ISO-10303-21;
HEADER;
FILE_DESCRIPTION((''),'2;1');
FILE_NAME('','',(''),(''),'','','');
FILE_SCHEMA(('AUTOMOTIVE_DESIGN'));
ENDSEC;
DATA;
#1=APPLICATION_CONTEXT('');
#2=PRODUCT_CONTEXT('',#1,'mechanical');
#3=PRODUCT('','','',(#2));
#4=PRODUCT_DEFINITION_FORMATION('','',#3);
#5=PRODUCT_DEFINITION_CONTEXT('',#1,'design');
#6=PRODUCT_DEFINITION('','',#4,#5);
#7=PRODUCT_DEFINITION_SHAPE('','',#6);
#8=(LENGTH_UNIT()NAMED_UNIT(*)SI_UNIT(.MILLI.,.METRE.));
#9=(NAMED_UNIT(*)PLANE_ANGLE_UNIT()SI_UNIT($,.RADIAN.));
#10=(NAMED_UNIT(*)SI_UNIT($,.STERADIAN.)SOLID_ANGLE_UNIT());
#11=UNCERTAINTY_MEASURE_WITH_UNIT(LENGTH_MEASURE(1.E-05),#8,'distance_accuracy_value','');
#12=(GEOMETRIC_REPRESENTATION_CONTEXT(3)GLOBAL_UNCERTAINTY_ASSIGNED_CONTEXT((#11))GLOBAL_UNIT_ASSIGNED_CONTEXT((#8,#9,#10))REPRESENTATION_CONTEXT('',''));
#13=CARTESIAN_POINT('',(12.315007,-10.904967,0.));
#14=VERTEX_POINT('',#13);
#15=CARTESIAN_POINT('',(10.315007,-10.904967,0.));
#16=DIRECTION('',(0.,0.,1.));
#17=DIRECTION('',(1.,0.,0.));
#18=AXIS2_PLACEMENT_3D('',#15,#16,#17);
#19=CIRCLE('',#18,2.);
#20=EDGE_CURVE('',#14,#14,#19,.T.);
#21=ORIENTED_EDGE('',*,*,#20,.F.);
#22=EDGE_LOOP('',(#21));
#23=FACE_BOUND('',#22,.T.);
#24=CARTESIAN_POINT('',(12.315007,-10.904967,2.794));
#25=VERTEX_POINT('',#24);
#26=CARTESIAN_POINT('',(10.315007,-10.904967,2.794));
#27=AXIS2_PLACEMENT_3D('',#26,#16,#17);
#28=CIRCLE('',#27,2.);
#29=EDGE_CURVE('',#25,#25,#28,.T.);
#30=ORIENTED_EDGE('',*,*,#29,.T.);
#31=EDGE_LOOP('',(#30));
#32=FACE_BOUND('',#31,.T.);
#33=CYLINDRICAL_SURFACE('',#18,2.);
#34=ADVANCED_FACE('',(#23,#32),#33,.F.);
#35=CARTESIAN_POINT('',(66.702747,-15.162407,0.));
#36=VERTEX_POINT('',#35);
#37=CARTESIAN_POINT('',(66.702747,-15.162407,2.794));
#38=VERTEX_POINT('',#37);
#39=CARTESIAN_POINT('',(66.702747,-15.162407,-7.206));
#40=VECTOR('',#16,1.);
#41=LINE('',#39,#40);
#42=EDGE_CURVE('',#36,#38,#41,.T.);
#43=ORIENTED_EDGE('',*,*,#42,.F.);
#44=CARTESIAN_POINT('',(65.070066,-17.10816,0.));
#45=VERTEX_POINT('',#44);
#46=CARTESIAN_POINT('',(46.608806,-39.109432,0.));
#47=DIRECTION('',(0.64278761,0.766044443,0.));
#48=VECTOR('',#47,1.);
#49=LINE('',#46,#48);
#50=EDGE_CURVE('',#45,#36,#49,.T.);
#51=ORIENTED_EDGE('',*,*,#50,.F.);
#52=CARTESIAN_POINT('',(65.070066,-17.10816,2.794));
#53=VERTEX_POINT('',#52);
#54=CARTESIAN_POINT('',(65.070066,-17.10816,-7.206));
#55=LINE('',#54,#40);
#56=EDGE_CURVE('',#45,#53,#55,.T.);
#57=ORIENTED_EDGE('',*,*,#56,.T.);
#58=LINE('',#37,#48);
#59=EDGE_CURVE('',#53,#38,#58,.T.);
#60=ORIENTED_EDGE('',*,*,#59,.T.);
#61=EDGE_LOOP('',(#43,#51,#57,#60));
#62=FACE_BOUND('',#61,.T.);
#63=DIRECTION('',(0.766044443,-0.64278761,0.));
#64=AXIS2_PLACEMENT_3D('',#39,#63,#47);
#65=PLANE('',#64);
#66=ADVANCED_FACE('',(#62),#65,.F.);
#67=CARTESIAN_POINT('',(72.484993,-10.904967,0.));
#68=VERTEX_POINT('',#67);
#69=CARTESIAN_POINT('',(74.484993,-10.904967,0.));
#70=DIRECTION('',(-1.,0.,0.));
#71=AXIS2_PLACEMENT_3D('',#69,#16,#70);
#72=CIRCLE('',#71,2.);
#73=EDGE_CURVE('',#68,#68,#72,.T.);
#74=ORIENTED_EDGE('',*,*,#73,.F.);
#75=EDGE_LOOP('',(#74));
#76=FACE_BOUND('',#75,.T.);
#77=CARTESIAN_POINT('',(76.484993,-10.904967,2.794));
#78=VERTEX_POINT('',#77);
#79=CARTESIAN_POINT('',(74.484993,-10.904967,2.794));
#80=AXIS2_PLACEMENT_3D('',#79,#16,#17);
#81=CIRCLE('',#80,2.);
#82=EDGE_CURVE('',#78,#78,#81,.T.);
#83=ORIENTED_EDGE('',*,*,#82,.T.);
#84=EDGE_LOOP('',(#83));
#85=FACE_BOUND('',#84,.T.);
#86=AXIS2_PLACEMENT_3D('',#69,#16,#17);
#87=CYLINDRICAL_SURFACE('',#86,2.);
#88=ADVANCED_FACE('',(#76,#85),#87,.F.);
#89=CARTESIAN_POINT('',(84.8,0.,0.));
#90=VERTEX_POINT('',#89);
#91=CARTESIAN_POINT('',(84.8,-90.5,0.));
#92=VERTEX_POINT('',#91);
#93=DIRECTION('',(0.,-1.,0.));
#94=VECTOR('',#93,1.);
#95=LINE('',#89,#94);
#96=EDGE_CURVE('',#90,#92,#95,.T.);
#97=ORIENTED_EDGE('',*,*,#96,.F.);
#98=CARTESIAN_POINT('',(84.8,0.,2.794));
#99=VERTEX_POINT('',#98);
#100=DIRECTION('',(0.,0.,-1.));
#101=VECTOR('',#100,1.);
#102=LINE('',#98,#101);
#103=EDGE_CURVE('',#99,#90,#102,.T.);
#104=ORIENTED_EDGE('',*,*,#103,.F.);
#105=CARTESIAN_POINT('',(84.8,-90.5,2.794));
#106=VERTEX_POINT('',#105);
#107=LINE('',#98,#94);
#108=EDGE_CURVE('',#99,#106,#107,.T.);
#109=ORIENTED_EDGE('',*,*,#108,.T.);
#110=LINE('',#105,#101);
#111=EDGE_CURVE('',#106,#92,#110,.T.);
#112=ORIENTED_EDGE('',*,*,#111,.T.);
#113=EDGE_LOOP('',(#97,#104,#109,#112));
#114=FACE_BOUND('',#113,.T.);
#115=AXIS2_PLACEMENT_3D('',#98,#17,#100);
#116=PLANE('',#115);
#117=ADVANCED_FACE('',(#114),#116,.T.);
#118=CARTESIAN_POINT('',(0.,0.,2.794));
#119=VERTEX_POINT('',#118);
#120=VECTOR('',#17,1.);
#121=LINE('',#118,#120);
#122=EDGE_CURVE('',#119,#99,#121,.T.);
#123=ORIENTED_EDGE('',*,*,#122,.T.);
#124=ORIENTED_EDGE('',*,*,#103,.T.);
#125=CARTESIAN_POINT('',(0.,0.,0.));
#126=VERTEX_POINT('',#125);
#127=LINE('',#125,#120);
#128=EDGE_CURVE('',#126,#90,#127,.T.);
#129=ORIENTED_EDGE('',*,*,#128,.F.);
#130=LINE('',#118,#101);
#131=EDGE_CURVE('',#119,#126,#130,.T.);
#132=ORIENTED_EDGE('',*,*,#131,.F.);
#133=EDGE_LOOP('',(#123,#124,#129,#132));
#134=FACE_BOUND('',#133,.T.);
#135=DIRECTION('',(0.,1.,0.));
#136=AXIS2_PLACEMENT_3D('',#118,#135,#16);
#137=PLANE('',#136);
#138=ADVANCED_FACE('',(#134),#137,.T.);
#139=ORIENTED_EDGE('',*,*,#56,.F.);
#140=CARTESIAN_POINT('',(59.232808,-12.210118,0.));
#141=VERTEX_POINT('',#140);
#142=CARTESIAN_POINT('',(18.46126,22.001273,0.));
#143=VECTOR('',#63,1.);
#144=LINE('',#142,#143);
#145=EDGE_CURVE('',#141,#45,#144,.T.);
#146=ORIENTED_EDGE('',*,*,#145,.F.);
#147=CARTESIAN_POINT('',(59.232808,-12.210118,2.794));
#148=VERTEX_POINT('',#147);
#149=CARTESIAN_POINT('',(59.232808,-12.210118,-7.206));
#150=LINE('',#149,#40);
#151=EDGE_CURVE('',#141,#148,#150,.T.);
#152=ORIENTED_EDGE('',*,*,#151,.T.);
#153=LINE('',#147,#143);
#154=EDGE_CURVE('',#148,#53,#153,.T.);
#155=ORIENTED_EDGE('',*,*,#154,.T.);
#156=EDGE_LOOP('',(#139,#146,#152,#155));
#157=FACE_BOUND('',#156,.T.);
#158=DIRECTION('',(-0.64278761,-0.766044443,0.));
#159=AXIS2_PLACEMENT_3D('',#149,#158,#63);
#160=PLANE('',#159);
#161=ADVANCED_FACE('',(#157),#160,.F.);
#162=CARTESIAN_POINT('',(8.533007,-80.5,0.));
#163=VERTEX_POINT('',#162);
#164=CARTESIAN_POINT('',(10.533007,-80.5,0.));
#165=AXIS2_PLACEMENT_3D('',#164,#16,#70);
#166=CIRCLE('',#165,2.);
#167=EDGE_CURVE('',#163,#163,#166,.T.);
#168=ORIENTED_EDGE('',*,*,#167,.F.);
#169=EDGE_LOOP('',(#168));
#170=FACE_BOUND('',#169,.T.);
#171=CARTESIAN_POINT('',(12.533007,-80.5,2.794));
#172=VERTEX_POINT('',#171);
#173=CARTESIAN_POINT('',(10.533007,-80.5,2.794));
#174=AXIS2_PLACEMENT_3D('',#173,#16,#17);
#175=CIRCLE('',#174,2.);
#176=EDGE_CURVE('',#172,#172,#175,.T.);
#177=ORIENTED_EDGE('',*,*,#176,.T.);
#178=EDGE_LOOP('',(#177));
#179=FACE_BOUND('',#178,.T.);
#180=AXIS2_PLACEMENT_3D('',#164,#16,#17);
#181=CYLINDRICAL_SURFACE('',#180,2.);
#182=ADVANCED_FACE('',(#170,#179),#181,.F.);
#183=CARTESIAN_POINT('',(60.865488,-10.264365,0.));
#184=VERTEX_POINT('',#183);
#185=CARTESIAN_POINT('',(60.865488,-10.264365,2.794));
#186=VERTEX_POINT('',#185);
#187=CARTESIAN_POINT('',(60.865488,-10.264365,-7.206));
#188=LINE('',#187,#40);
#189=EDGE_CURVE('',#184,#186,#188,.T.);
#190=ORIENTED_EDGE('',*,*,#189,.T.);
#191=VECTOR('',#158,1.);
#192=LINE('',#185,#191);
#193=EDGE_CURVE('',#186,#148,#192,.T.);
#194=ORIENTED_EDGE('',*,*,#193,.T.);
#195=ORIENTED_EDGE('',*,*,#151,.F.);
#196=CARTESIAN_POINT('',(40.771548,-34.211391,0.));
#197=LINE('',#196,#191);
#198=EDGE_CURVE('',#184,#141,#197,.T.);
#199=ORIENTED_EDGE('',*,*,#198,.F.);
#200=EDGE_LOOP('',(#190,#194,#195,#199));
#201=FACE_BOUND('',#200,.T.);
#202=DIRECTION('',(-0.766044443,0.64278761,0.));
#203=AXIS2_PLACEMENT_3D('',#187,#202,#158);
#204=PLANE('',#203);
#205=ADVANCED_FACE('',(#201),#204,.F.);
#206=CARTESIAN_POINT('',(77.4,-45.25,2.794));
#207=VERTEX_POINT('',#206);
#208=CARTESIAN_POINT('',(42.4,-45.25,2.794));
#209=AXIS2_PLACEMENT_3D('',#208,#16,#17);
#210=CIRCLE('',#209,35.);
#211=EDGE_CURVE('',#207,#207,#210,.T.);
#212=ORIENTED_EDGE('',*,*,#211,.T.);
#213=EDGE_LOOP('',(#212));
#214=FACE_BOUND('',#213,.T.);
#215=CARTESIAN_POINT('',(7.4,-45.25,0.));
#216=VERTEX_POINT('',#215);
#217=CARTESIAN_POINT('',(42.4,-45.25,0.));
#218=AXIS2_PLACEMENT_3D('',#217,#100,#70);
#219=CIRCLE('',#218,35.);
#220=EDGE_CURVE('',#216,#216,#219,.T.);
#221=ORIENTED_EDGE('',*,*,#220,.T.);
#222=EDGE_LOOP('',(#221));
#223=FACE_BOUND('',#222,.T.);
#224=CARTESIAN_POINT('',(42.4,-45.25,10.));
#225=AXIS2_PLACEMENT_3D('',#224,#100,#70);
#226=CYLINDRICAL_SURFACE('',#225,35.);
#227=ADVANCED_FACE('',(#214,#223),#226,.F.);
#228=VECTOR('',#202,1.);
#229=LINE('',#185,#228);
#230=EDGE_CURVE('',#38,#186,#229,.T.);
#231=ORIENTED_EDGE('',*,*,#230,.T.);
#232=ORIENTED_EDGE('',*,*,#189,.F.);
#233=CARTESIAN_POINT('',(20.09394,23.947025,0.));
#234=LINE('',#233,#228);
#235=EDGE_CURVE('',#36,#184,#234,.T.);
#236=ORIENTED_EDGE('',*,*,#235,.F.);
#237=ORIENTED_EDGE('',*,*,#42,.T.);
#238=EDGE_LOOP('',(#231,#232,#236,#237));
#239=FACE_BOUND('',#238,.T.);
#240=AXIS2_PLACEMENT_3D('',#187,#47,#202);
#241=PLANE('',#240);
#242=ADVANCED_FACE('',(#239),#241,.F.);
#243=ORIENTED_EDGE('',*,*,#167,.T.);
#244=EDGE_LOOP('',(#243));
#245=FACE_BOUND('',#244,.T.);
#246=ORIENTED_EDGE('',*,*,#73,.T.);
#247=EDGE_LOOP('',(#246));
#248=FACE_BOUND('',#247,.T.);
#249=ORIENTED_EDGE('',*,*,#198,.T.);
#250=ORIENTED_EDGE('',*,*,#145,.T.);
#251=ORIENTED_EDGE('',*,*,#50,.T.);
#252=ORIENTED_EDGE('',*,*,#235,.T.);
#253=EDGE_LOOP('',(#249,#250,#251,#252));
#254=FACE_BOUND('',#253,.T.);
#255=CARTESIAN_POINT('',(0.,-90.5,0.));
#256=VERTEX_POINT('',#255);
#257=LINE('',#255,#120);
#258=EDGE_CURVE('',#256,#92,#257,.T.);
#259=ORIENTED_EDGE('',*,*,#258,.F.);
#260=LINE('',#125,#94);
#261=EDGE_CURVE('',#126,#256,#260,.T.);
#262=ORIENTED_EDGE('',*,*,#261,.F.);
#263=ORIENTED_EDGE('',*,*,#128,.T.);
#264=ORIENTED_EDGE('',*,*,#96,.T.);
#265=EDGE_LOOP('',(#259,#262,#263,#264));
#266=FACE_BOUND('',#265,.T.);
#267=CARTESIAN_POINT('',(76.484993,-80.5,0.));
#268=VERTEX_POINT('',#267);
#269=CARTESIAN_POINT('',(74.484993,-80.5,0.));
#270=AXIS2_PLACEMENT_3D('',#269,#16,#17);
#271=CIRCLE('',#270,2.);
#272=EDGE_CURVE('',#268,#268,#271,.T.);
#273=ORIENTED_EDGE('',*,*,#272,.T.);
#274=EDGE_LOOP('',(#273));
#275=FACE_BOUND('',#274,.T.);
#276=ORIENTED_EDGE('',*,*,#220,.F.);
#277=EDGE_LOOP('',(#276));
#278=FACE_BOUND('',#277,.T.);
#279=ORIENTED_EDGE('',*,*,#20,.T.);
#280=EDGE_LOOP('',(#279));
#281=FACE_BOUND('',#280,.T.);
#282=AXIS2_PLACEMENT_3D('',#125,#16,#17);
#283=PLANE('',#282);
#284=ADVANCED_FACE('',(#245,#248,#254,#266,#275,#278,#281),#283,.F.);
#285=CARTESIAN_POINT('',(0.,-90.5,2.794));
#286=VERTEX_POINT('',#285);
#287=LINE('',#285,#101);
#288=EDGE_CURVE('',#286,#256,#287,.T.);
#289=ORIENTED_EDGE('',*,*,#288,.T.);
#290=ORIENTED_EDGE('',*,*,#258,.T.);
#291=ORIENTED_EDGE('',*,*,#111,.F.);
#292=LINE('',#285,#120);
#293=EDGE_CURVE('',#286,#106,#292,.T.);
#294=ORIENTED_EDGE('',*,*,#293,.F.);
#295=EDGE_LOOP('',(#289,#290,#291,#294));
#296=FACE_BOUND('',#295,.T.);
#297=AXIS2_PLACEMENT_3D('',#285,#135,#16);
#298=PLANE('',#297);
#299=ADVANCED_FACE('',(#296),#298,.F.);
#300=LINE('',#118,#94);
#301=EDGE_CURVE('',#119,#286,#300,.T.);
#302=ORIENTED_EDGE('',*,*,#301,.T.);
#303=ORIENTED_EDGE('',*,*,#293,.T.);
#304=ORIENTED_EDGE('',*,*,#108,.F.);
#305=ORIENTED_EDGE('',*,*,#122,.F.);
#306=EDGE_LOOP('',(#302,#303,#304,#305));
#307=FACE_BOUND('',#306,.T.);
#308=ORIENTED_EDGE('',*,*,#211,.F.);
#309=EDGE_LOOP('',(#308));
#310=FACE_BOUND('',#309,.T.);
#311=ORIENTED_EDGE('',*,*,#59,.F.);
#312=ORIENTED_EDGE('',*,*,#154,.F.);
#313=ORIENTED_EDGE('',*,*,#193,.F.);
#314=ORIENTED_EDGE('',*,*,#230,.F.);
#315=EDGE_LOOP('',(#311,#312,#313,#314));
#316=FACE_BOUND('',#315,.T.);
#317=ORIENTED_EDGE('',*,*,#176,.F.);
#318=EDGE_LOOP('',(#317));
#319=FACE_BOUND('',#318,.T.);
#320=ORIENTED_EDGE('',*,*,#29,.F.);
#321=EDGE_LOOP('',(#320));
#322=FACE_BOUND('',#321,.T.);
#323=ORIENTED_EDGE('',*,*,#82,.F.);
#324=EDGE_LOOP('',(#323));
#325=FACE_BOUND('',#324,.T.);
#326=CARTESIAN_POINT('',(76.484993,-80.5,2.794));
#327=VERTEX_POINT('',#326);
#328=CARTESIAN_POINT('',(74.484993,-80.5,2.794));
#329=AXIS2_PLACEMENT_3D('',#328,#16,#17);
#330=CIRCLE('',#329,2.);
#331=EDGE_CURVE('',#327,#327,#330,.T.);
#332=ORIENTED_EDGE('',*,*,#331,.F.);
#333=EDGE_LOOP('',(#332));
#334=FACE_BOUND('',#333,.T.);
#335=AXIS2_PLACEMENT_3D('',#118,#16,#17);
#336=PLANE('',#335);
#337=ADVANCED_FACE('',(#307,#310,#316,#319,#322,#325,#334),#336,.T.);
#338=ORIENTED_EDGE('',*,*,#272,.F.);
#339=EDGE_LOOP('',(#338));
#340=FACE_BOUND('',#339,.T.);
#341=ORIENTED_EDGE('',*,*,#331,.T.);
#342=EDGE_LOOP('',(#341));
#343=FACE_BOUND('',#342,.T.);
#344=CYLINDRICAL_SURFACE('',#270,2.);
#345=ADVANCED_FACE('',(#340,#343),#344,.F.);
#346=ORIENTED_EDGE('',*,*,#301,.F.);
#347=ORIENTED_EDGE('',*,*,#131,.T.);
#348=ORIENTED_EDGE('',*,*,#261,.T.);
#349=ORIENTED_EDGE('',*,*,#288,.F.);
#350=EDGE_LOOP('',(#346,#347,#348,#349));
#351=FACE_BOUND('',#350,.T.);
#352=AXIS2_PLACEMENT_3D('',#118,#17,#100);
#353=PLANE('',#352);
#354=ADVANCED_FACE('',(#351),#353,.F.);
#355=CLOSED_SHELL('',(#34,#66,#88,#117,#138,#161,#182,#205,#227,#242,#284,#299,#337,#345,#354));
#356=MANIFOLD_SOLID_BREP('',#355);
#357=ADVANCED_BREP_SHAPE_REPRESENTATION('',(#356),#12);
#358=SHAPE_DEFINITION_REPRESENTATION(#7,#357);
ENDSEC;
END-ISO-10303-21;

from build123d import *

# Parameters (mm, degrees)
SKETCH1_W               = 84.8
SKETCH1_H               = 90.5
BOSS_EXTRUDE1_DEPTH     = 2.794
CUT_EXTRUDE1_DEPTH      = 125.05279697
CUT_EXTRUDE1_DEPTH_BACK = 125.05279697
SKETCH2_R               = 2
CUT_EXTRUDE2_DEPTH      = 125.05279697
CUT_EXTRUDE2_DEPTH_BACK = 125.05279697
SKETCH3_R               = 1.7145
SKETCH4_R               = 35
CUT_EXTRUDE3_DEPTH      = 10
CUT_EXTRUDE4_DEPTH      = 10


with BuildPart() as part:
    # Sketch1 → Boss-Extrude1 (new body)
    with BuildSketch(Plane.XY):
        with Locations((42.4, -45.25)):
            Rectangle(SKETCH1_W, SKETCH1_H)
    extrude(amount=BOSS_EXTRUDE1_DEPTH)

    # Sketch2 → Cut-Extrude1 (cut, two sides: drawn at the far end of the back side and taken through both)
    with BuildSketch(Plane.XY.offset(2.794).offset(-CUT_EXTRUDE1_DEPTH_BACK)):
        with Locations((10.31500695, -10.904966862)):
            Circle(SKETCH2_R)
        with Locations((74.48499305, -10.904966862)):
            Circle(SKETCH2_R)
        with Locations((74.48499305, -80.5)):
            Circle(SKETCH2_R)
        with Locations((10.53300695, -80.5)):
            Circle(SKETCH2_R)
    extrude(amount=CUT_EXTRUDE1_DEPTH + CUT_EXTRUDE1_DEPTH_BACK, mode=Mode.SUBTRACT)

    # Sketch3 → Cut-Extrude2 (cut, two sides: drawn at the far end of the back side and taken through both)
    with BuildSketch(Plane(origin=(0, 0, 0), x_dir=(-1, 0, 0), z_dir=(0, 0, -1)).offset(-CUT_EXTRUDE2_DEPTH_BACK)):
        with Locations((-42.4, -45.25)):
            Circle(SKETCH3_R)
    extrude(amount=CUT_EXTRUDE2_DEPTH + CUT_EXTRUDE2_DEPTH_BACK, mode=Mode.SUBTRACT)

    # Sketch4 → Cut-Extrude3 (cut)
    with BuildSketch(Plane(origin=(0, 0, 0), x_dir=(-1, 0, 0), z_dir=(0, 0, -1))):
        with Locations((-42.4, -45.25)):
            Circle(SKETCH4_R)
    extrude(amount=-CUT_EXTRUDE3_DEPTH, mode=Mode.SUBTRACT)

    # Sketch5 → Cut-Extrude4 (cut)
    with BuildSketch(Plane.XY.offset(2.794)):
        Polygon((60.865488083, -10.264365241), (66.70274674, -15.162406827), (65.070066211, -17.108159712), (59.232807555, -12.210118127), align=None)
    extrude(amount=-CUT_EXTRUDE4_DEPTH, mode=Mode.SUBTRACT)


solid = part.part
